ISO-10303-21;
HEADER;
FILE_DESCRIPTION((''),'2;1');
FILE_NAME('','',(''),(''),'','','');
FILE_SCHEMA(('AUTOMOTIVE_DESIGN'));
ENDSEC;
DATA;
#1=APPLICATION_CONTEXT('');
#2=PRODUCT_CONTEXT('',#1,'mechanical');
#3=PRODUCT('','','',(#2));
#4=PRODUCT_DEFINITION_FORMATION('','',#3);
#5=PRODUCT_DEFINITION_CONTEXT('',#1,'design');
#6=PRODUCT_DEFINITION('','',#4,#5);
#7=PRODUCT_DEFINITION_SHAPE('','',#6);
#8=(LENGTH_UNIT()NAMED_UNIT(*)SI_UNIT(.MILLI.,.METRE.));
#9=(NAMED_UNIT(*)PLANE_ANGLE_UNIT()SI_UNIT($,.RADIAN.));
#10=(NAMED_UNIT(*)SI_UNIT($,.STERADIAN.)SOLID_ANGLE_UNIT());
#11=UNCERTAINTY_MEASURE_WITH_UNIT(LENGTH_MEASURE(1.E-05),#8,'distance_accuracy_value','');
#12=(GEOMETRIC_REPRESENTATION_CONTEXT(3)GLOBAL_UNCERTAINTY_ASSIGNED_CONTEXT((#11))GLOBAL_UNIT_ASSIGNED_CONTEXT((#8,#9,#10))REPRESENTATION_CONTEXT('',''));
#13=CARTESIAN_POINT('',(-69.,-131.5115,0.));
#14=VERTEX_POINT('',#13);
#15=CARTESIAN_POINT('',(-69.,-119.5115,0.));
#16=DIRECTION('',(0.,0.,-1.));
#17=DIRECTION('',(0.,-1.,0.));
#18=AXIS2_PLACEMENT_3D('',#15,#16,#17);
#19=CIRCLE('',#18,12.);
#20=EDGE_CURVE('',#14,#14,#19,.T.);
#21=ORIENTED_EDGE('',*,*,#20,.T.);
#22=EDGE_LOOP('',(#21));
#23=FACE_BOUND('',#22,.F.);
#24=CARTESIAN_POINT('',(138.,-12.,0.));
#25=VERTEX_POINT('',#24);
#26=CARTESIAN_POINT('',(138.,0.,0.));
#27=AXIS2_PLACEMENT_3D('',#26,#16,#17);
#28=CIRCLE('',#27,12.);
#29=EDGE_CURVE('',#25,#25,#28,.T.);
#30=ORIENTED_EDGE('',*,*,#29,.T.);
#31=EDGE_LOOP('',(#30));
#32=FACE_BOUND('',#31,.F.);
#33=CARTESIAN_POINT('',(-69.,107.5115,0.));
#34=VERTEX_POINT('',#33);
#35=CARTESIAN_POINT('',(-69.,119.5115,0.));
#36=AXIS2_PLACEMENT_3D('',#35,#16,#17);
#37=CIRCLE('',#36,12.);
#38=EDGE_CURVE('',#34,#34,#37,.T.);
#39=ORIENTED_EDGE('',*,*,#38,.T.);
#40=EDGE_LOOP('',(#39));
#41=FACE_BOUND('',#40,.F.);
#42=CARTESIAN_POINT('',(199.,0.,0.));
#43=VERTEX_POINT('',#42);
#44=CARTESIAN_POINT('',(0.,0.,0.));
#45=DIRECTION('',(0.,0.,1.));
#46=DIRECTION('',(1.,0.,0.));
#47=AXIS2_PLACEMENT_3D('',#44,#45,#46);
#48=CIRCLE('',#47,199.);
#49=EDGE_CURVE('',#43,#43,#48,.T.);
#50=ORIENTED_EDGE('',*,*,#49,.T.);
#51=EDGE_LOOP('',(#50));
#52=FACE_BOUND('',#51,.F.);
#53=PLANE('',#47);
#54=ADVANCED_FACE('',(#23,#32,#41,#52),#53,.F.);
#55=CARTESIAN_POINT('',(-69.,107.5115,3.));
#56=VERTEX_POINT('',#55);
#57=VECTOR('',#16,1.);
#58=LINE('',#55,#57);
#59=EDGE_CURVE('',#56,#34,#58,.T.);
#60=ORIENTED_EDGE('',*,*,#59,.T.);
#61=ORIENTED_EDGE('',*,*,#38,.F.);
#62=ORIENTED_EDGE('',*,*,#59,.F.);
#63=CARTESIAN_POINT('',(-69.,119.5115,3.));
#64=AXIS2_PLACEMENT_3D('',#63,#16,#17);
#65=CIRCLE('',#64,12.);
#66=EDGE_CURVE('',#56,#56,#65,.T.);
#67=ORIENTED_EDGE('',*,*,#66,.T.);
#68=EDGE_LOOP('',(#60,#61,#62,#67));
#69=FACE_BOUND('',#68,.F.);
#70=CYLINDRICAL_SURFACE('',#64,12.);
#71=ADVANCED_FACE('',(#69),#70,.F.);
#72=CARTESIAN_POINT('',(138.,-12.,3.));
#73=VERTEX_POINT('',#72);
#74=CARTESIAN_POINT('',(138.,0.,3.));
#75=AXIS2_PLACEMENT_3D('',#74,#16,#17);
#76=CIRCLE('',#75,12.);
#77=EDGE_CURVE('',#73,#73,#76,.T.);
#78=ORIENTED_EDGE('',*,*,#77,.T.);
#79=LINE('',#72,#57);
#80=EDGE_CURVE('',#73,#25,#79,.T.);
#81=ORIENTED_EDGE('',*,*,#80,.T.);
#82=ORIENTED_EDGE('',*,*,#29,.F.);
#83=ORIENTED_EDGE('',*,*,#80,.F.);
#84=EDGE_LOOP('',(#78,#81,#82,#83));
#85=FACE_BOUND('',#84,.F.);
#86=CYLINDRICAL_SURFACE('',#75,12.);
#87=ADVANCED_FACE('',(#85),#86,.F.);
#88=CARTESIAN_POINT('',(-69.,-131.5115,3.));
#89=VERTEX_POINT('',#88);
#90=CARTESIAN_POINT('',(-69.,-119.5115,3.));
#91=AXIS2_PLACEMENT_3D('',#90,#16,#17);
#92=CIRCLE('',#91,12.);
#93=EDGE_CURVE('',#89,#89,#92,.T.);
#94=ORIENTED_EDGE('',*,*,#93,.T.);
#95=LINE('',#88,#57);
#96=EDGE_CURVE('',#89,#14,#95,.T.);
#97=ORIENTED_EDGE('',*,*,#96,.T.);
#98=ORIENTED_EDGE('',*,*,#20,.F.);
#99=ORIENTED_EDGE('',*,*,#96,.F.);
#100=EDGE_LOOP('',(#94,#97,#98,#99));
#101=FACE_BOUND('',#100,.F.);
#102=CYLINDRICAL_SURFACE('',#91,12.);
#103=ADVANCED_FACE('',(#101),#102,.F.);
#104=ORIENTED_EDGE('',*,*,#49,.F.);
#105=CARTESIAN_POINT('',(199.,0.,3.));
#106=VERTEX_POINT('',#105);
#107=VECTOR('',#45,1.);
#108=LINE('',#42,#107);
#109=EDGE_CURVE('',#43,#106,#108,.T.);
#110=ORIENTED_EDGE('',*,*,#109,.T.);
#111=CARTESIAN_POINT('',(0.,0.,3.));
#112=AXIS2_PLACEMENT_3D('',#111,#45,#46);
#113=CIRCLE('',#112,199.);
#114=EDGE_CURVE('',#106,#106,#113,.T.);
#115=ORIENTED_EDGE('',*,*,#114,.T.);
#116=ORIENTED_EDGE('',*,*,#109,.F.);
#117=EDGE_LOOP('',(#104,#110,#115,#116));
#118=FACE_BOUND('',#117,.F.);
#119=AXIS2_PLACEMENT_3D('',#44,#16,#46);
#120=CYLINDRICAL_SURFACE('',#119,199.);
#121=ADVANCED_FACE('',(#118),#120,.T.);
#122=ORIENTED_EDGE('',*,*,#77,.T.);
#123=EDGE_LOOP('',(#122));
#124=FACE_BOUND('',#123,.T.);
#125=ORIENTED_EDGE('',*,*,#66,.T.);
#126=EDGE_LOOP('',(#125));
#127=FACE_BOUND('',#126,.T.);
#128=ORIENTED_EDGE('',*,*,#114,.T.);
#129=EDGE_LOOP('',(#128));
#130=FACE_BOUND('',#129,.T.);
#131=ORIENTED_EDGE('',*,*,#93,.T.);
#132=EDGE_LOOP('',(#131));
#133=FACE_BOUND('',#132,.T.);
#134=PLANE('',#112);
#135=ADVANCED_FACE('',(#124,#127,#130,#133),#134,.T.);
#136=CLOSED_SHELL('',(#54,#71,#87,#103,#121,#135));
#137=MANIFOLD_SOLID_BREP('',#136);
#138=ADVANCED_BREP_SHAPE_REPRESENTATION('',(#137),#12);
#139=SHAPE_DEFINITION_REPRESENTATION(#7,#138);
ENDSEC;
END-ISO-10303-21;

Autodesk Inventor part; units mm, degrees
ref_plane "YZ Plane" through (0, 0, 0) normal (1, 0, 0) x (0, 1, 0)
ref_plane "XZ Plane" through (0, 0, 0) normal (0, 1, 0) x (-1, 0, 0)
ref_plane "XY Plane" through (0, 0, 0) normal (0, 0, 1) x (1, 0, 0)
sketch "Sketch1" plane through (0, 0, 0) normal (0, 0, 1) x (1, 0, 0)
  circle A0 centre (0, 0) radius 199
  dimension "d0" = 398
extrude "Extrusion1" add sketch "Sketch1" along normal blind 3
sketch "Sketch2" plane through (0, 0, 3) normal (0, 0, 1) x (1, 0, 0)
  point P0 (0, 0)
  point P1 (138, 0)
  point P2 (-69, 119.5115)
  point P3 (-69, -119.5115)
  dimension "d3" = 138
  dimension "d6" = 360
hole "Hole1" at (138, 0, 3) at (-69, 119.5115, 3) at (-69, -119.5115, 3) direction (0, 0, -1) diameter 24 end through all
properties part number "bottom" material "Wood (Birch)"
